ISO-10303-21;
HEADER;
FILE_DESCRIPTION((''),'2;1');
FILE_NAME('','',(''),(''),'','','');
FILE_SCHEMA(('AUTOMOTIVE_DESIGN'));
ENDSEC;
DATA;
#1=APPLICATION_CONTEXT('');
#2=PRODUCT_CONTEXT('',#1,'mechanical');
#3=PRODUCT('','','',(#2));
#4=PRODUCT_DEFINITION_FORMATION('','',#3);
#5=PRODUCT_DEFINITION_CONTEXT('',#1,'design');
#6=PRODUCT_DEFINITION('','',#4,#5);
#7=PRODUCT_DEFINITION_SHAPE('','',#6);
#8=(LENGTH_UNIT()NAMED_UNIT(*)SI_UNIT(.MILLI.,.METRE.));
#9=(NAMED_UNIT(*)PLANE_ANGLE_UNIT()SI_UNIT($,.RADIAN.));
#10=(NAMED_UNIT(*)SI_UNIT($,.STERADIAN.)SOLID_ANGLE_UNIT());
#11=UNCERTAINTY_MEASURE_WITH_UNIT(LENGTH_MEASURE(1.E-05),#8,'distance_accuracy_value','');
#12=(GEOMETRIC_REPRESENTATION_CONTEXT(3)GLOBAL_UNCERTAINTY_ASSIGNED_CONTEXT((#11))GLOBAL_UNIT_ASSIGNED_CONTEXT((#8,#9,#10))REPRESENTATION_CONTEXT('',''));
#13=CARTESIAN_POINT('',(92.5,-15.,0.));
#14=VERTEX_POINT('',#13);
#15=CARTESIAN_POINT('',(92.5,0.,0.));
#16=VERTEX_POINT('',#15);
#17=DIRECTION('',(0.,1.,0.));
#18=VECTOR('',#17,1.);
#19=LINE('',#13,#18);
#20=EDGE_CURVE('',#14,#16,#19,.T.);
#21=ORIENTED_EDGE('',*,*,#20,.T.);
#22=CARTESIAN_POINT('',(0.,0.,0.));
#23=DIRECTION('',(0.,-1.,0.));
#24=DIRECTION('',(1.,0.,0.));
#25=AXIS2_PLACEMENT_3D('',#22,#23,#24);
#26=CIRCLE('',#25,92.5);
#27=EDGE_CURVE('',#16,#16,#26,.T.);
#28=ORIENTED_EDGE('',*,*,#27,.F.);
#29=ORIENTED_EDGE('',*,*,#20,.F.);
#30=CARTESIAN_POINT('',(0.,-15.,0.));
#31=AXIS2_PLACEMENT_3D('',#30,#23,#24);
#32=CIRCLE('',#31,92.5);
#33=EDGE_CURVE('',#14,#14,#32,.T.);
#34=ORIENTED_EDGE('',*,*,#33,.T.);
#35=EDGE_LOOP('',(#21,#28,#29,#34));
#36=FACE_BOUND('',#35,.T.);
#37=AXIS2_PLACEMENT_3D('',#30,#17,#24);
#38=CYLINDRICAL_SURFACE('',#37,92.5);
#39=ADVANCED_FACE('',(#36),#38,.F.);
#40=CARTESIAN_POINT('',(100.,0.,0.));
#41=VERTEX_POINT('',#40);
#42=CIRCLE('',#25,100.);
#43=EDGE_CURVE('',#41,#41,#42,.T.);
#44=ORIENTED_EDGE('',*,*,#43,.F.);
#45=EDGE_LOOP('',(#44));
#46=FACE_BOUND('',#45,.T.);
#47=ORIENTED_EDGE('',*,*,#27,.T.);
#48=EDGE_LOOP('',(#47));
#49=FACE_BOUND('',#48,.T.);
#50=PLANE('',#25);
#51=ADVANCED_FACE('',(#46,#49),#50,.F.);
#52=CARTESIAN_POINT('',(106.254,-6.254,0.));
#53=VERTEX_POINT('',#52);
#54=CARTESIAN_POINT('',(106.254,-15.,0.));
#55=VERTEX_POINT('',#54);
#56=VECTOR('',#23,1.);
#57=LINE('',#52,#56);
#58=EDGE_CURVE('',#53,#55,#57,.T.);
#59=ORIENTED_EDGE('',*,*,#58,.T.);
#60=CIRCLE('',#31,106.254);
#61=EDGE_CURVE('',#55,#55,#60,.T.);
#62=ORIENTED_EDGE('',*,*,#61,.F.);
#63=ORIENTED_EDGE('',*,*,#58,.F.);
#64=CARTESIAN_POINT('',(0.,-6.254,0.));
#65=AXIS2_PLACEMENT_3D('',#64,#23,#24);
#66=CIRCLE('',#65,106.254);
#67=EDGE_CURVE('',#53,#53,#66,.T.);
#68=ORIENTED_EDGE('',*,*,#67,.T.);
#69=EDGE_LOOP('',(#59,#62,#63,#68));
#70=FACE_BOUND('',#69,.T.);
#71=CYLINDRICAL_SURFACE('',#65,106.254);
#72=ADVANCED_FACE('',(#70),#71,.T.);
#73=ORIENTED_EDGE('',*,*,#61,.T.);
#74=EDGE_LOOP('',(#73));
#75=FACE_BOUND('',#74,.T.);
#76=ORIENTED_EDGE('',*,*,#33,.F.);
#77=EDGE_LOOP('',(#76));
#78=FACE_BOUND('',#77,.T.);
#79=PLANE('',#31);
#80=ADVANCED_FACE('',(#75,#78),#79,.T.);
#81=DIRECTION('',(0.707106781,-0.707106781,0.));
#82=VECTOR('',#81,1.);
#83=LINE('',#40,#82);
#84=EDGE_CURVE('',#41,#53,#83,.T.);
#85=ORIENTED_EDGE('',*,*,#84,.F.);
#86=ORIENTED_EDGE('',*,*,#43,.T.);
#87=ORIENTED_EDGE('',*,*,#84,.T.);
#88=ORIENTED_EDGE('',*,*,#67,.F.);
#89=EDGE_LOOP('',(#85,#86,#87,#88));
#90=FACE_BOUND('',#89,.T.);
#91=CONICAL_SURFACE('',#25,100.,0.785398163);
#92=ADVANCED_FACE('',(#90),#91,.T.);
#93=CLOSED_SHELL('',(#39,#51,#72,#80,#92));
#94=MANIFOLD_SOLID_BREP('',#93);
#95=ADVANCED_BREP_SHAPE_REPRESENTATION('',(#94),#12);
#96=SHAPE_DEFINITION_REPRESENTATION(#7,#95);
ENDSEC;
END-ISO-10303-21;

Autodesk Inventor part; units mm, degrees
ref_plane "YZ Plane" through (0, 0, 0) normal (1, 0, 0) x (0, 1, 0)
ref_plane "XZ Plane" through (0, 0, 0) normal (0, 1, 0) x (-1, 0, 0)
ref_plane "XY Plane" through (0, 0, 0) normal (0, 0, 1) x (1, 0, 0)
sketch "Эскиз1" plane through (0, 0, 0) normal (0, 0, 1) x (1, 0, 0)
  line L0 (0, 0) -> (92.5, 0)
  line L1 (0, 0) -> (100, 0)
  line L2 (100, 0) -> (106.254, -6.254)
  line L3 (106.254, -6.254) -> (106.254, -15)
  line L4 (106.254, -15) -> (92.5, -15)
  line L5 (92.5, -15) -> (92.5, 0)
  line L6 (0, 0) -> (0, -9.5389)
  dimension "d0" = 92.5
  dimension "d1" = 100
  dimension "d2" = 135
  dimension "d3" = 15
revolve "Вращение1" add sketch "Эскиз1" angle 360 about axis through (0, 0, 0) along (0, -1, 0)
properties part number "Резина" material "Резина"
